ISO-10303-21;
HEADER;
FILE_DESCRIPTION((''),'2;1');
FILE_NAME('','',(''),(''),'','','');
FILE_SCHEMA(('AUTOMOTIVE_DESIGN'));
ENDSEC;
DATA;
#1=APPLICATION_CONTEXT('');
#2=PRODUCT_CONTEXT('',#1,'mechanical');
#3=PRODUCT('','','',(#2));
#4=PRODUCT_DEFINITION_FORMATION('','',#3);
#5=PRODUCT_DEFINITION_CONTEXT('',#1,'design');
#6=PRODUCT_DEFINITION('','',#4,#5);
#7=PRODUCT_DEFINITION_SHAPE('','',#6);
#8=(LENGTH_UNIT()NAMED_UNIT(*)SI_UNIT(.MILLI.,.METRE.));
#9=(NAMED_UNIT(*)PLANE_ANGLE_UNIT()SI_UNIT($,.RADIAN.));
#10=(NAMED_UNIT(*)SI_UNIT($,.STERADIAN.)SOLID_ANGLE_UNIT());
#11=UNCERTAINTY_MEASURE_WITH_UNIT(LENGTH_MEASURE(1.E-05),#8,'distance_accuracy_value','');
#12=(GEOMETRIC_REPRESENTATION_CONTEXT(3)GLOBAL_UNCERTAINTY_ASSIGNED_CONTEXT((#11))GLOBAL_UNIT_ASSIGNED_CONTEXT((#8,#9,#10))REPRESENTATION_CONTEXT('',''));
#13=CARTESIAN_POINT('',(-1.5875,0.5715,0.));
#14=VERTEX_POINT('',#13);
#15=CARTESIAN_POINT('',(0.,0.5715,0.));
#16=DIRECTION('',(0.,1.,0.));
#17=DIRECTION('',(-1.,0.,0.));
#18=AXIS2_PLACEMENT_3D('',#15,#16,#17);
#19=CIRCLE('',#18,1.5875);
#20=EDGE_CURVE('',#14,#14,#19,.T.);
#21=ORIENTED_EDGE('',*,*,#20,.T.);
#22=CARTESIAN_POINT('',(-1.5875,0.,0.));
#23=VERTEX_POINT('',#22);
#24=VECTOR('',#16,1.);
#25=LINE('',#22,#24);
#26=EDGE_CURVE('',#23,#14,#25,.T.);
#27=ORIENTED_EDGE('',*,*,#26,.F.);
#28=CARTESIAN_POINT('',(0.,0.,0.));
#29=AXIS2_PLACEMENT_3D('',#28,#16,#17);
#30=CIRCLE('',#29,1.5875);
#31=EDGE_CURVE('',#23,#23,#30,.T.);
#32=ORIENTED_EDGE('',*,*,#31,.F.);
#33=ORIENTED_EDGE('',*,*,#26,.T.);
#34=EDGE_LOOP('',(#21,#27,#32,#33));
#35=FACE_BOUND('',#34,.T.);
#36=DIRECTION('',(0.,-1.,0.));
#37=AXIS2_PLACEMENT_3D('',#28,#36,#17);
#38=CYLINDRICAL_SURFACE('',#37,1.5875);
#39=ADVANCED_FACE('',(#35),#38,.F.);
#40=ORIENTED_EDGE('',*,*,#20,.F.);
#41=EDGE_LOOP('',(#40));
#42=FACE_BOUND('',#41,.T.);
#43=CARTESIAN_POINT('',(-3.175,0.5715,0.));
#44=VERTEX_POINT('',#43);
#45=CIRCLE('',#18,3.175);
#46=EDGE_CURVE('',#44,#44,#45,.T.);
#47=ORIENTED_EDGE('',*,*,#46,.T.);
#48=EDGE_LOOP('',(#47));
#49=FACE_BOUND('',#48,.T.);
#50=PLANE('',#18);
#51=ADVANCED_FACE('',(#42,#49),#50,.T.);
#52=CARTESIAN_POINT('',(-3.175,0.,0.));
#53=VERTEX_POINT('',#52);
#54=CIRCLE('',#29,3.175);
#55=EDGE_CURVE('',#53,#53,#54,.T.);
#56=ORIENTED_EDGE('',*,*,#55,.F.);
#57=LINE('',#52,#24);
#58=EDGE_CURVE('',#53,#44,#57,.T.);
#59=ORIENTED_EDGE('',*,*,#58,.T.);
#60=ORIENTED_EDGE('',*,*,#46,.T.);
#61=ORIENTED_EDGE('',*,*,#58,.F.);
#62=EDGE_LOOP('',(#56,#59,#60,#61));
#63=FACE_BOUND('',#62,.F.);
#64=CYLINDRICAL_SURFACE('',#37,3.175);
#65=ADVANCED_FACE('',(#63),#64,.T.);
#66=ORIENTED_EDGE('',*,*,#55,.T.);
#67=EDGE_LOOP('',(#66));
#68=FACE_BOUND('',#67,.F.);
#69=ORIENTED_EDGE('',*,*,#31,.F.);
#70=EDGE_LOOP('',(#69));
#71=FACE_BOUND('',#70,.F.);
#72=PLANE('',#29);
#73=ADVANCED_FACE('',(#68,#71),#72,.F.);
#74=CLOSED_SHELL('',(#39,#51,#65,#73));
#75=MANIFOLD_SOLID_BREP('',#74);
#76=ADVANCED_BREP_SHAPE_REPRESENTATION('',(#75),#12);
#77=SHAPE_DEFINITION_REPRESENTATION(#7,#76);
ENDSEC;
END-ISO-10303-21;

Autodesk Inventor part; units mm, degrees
ref_plane "YZ Plane" through (0, 0, 0) normal (1, 0, 0) x (0, 1, 0)
ref_plane "XZ Plane" through (0, 0, 0) normal (0, 1, 0) x (-1, 0, 0)
ref_plane "XY Plane" through (0, 0, 0) normal (0, 0, 1) x (1, 0, 0)
sketch "Sketch1" plane through (0, 0, 0) normal (0, 1, 0) x (-1, 0, 0)
  circle A0 centre (0, 0) radius 1.5875
  circle A1 centre (0, 0) radius 3.175
  dimension "d0" = 3.175
  dimension "d1" = 6.35
extrude "Extrusion1" add sketch "Sketch1" along normal blind 0.5715
properties part number "washer"
